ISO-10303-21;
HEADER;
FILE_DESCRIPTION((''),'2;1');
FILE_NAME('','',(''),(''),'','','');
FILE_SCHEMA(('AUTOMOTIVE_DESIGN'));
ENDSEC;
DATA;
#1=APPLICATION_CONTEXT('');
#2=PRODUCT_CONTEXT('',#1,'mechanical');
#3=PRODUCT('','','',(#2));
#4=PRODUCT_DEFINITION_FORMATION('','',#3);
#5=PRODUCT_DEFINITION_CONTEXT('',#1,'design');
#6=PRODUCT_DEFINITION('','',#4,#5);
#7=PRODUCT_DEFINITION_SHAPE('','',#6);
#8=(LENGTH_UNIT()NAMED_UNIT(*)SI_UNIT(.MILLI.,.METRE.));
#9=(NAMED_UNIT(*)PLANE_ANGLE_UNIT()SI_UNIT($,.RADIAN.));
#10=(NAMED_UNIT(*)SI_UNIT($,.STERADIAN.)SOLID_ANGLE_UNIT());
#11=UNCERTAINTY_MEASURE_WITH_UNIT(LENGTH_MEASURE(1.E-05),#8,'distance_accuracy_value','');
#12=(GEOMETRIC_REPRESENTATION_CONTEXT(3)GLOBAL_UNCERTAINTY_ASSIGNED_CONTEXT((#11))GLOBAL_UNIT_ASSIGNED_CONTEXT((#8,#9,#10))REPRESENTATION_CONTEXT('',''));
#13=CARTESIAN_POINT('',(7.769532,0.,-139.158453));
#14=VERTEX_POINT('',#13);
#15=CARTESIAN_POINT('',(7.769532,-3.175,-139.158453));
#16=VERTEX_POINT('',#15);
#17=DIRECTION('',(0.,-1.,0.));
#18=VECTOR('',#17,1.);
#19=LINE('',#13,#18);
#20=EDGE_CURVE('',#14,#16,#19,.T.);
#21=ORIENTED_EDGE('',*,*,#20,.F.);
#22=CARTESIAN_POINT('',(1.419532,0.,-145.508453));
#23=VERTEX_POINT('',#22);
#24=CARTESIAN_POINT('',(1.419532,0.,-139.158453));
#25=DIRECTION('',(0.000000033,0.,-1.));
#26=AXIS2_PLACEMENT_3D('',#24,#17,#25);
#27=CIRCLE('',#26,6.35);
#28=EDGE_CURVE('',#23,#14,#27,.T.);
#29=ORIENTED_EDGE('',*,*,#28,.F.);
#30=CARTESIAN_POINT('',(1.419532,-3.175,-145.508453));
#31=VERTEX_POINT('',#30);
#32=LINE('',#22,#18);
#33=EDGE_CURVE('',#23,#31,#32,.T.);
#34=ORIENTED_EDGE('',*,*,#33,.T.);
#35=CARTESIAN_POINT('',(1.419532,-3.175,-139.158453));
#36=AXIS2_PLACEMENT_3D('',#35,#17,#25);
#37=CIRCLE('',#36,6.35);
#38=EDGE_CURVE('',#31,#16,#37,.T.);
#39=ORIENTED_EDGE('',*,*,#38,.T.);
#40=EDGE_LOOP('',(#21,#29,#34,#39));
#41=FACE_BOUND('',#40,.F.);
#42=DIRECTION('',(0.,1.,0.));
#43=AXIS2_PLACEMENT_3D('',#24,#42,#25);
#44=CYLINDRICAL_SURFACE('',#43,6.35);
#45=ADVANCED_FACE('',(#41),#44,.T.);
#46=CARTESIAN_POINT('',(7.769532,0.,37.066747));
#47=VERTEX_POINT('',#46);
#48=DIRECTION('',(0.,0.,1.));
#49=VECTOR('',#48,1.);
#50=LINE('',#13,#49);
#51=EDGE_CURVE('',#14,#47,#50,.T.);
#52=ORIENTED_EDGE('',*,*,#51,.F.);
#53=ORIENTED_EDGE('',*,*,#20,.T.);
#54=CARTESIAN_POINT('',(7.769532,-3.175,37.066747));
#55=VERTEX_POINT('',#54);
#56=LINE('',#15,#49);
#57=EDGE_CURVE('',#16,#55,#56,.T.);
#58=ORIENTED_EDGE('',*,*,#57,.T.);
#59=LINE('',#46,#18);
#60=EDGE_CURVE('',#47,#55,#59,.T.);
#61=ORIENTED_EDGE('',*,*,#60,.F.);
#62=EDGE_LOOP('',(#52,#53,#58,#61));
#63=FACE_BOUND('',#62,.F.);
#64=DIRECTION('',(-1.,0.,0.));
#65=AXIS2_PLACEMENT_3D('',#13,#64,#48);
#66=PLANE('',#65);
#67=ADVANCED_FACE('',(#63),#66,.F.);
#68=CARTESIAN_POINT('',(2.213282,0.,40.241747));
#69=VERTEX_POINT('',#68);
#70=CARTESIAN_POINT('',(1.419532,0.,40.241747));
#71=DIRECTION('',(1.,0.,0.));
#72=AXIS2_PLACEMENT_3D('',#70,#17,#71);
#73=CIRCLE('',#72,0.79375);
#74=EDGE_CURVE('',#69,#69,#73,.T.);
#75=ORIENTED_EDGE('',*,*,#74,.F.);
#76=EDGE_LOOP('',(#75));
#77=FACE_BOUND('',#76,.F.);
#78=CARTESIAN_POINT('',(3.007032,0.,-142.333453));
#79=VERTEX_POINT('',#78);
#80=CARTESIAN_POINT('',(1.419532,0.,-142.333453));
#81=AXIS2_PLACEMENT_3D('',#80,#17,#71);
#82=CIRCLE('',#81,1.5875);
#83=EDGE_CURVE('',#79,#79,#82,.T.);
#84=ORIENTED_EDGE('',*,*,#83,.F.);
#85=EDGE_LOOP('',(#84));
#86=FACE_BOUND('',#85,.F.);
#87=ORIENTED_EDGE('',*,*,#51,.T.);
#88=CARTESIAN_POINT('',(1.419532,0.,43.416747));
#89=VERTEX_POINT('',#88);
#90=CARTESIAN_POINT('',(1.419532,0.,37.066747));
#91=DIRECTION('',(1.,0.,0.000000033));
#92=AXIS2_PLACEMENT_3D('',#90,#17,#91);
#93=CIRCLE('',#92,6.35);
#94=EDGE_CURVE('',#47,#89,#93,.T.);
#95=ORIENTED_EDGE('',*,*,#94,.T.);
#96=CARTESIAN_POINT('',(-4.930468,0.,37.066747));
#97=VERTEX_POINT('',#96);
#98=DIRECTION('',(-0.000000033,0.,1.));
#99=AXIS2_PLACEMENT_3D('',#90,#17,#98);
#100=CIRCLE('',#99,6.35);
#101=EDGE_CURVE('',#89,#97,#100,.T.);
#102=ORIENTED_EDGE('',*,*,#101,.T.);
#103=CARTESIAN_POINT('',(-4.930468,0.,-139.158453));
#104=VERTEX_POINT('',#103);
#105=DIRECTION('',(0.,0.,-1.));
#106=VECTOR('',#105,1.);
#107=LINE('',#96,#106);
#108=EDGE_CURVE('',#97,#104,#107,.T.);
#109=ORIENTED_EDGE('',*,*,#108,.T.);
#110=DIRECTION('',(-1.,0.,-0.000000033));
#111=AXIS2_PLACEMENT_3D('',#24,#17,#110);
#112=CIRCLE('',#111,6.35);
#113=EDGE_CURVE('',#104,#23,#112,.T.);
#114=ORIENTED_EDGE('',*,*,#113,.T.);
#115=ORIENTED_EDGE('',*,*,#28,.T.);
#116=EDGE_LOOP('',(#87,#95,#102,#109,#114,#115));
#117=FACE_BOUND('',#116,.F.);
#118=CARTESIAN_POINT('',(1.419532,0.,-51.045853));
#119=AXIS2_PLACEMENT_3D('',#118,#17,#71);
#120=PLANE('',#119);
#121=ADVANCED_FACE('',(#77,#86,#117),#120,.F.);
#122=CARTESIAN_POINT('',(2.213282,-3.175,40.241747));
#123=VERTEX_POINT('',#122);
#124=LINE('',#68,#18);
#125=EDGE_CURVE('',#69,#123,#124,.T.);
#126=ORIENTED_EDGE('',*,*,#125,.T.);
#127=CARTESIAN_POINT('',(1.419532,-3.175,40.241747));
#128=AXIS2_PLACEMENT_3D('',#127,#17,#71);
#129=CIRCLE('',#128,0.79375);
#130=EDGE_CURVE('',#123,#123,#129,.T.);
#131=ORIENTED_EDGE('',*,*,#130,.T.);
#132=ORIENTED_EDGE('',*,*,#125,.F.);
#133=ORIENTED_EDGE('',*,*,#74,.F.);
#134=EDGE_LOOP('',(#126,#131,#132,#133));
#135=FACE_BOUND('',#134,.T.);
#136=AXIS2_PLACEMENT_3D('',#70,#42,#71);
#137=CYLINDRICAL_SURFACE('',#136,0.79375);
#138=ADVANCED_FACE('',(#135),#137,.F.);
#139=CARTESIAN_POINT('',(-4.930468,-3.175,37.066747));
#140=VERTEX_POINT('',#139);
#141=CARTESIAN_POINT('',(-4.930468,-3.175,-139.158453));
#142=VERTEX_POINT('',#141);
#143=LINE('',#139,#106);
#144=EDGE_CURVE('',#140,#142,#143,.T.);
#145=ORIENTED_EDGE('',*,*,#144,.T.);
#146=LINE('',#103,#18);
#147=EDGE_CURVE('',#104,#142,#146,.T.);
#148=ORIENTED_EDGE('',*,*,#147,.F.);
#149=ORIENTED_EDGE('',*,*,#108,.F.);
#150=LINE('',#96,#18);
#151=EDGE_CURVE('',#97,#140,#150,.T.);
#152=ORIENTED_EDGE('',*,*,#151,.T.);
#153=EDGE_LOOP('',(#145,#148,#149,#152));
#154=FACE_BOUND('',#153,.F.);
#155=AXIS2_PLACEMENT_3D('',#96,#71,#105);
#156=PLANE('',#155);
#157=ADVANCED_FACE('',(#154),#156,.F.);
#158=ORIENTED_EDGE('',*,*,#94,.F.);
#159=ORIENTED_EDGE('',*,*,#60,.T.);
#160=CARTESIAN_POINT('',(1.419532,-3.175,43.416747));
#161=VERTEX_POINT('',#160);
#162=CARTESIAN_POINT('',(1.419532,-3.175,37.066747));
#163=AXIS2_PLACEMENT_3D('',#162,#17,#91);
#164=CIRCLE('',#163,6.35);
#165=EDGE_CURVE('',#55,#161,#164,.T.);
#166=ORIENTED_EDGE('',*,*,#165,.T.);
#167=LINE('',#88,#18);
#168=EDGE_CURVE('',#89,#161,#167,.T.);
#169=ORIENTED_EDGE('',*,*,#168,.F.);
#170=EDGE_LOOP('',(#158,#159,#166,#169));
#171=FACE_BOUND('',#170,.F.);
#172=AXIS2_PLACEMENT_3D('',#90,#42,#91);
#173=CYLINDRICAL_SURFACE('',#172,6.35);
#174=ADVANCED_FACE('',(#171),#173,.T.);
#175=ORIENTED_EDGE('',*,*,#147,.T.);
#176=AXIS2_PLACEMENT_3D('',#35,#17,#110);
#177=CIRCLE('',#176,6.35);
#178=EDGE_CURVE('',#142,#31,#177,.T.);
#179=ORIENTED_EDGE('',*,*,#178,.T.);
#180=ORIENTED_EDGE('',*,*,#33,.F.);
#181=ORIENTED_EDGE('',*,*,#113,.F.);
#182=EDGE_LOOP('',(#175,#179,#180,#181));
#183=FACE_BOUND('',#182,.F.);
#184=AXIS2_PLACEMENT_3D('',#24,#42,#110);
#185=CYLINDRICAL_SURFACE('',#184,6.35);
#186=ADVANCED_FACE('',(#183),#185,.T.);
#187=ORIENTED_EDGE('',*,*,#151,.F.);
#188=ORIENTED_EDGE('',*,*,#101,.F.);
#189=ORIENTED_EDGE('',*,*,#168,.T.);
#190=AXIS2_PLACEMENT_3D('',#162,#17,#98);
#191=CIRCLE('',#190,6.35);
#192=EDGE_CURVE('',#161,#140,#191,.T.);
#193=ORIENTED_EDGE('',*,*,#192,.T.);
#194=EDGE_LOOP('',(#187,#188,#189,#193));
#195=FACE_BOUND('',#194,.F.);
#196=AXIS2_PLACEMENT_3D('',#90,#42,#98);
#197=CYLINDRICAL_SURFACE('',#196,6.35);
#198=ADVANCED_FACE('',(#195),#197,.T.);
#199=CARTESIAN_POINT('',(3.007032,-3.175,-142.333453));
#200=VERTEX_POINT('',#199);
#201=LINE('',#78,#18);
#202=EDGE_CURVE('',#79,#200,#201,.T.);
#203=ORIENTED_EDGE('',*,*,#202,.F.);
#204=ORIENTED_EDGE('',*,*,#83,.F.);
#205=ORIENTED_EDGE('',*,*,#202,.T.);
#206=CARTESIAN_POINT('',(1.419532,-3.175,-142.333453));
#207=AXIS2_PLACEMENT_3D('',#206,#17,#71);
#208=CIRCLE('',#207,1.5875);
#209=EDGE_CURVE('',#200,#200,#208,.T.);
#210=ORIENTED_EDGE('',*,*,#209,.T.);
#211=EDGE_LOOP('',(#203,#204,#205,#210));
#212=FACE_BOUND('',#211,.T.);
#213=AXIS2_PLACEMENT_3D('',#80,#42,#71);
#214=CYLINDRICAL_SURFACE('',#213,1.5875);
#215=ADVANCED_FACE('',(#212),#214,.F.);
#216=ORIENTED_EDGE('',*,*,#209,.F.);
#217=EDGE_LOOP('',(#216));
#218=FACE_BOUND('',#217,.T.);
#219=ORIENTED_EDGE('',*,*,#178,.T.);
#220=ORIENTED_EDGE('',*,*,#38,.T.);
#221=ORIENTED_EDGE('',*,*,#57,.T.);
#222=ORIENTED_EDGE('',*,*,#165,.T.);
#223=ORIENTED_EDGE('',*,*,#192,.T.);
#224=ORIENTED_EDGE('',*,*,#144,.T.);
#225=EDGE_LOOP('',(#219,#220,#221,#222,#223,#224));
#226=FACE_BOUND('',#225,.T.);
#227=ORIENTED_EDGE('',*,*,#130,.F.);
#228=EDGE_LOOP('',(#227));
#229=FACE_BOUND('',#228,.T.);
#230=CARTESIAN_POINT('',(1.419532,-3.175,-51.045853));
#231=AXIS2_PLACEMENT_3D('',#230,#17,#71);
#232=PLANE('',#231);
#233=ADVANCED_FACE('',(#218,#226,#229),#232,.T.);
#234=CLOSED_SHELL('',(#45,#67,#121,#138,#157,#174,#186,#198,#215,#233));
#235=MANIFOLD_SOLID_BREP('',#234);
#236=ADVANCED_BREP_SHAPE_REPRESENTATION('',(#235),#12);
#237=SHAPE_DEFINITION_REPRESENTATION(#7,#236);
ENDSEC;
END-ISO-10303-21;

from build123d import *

# Parameters (mm, degrees)
F0_R     = 1.5875
F0_R_2   = 0.79375
F1_DEPTH = 3.175


with BuildPart() as f1:
    # F0 (on Front) → F1 (new body)
    with BuildSketch(Plane.XZ):
        with BuildLine():
            ThreePointArc((1.419532, 43.416747), (-3.070596, 41.556875), (-4.930468, 37.066747))
            Line((-4.930468, 37.066747), (-4.930468, -139.158453))
            ThreePointArc((-4.930468, -139.158453), (-3.070596, -143.648581), (1.419532, -145.508453))
            ThreePointArc((1.419532, -145.508453), (5.90966, -143.648581), (7.769532, -139.158453))
            Line((7.769532, -139.158453), (7.769532, 37.066747))
            ThreePointArc((7.769532, 37.066747), (5.90966, 41.556875), (1.419532, 43.416747))
        make_face()
        with Locations((1.419532, -142.333453)):
            Circle(F0_R, mode=Mode.SUBTRACT)
        with Locations((1.419532, 40.241747)):
            Circle(F0_R_2, mode=Mode.SUBTRACT)
    extrude(amount=F1_DEPTH)


solid = f1.part
